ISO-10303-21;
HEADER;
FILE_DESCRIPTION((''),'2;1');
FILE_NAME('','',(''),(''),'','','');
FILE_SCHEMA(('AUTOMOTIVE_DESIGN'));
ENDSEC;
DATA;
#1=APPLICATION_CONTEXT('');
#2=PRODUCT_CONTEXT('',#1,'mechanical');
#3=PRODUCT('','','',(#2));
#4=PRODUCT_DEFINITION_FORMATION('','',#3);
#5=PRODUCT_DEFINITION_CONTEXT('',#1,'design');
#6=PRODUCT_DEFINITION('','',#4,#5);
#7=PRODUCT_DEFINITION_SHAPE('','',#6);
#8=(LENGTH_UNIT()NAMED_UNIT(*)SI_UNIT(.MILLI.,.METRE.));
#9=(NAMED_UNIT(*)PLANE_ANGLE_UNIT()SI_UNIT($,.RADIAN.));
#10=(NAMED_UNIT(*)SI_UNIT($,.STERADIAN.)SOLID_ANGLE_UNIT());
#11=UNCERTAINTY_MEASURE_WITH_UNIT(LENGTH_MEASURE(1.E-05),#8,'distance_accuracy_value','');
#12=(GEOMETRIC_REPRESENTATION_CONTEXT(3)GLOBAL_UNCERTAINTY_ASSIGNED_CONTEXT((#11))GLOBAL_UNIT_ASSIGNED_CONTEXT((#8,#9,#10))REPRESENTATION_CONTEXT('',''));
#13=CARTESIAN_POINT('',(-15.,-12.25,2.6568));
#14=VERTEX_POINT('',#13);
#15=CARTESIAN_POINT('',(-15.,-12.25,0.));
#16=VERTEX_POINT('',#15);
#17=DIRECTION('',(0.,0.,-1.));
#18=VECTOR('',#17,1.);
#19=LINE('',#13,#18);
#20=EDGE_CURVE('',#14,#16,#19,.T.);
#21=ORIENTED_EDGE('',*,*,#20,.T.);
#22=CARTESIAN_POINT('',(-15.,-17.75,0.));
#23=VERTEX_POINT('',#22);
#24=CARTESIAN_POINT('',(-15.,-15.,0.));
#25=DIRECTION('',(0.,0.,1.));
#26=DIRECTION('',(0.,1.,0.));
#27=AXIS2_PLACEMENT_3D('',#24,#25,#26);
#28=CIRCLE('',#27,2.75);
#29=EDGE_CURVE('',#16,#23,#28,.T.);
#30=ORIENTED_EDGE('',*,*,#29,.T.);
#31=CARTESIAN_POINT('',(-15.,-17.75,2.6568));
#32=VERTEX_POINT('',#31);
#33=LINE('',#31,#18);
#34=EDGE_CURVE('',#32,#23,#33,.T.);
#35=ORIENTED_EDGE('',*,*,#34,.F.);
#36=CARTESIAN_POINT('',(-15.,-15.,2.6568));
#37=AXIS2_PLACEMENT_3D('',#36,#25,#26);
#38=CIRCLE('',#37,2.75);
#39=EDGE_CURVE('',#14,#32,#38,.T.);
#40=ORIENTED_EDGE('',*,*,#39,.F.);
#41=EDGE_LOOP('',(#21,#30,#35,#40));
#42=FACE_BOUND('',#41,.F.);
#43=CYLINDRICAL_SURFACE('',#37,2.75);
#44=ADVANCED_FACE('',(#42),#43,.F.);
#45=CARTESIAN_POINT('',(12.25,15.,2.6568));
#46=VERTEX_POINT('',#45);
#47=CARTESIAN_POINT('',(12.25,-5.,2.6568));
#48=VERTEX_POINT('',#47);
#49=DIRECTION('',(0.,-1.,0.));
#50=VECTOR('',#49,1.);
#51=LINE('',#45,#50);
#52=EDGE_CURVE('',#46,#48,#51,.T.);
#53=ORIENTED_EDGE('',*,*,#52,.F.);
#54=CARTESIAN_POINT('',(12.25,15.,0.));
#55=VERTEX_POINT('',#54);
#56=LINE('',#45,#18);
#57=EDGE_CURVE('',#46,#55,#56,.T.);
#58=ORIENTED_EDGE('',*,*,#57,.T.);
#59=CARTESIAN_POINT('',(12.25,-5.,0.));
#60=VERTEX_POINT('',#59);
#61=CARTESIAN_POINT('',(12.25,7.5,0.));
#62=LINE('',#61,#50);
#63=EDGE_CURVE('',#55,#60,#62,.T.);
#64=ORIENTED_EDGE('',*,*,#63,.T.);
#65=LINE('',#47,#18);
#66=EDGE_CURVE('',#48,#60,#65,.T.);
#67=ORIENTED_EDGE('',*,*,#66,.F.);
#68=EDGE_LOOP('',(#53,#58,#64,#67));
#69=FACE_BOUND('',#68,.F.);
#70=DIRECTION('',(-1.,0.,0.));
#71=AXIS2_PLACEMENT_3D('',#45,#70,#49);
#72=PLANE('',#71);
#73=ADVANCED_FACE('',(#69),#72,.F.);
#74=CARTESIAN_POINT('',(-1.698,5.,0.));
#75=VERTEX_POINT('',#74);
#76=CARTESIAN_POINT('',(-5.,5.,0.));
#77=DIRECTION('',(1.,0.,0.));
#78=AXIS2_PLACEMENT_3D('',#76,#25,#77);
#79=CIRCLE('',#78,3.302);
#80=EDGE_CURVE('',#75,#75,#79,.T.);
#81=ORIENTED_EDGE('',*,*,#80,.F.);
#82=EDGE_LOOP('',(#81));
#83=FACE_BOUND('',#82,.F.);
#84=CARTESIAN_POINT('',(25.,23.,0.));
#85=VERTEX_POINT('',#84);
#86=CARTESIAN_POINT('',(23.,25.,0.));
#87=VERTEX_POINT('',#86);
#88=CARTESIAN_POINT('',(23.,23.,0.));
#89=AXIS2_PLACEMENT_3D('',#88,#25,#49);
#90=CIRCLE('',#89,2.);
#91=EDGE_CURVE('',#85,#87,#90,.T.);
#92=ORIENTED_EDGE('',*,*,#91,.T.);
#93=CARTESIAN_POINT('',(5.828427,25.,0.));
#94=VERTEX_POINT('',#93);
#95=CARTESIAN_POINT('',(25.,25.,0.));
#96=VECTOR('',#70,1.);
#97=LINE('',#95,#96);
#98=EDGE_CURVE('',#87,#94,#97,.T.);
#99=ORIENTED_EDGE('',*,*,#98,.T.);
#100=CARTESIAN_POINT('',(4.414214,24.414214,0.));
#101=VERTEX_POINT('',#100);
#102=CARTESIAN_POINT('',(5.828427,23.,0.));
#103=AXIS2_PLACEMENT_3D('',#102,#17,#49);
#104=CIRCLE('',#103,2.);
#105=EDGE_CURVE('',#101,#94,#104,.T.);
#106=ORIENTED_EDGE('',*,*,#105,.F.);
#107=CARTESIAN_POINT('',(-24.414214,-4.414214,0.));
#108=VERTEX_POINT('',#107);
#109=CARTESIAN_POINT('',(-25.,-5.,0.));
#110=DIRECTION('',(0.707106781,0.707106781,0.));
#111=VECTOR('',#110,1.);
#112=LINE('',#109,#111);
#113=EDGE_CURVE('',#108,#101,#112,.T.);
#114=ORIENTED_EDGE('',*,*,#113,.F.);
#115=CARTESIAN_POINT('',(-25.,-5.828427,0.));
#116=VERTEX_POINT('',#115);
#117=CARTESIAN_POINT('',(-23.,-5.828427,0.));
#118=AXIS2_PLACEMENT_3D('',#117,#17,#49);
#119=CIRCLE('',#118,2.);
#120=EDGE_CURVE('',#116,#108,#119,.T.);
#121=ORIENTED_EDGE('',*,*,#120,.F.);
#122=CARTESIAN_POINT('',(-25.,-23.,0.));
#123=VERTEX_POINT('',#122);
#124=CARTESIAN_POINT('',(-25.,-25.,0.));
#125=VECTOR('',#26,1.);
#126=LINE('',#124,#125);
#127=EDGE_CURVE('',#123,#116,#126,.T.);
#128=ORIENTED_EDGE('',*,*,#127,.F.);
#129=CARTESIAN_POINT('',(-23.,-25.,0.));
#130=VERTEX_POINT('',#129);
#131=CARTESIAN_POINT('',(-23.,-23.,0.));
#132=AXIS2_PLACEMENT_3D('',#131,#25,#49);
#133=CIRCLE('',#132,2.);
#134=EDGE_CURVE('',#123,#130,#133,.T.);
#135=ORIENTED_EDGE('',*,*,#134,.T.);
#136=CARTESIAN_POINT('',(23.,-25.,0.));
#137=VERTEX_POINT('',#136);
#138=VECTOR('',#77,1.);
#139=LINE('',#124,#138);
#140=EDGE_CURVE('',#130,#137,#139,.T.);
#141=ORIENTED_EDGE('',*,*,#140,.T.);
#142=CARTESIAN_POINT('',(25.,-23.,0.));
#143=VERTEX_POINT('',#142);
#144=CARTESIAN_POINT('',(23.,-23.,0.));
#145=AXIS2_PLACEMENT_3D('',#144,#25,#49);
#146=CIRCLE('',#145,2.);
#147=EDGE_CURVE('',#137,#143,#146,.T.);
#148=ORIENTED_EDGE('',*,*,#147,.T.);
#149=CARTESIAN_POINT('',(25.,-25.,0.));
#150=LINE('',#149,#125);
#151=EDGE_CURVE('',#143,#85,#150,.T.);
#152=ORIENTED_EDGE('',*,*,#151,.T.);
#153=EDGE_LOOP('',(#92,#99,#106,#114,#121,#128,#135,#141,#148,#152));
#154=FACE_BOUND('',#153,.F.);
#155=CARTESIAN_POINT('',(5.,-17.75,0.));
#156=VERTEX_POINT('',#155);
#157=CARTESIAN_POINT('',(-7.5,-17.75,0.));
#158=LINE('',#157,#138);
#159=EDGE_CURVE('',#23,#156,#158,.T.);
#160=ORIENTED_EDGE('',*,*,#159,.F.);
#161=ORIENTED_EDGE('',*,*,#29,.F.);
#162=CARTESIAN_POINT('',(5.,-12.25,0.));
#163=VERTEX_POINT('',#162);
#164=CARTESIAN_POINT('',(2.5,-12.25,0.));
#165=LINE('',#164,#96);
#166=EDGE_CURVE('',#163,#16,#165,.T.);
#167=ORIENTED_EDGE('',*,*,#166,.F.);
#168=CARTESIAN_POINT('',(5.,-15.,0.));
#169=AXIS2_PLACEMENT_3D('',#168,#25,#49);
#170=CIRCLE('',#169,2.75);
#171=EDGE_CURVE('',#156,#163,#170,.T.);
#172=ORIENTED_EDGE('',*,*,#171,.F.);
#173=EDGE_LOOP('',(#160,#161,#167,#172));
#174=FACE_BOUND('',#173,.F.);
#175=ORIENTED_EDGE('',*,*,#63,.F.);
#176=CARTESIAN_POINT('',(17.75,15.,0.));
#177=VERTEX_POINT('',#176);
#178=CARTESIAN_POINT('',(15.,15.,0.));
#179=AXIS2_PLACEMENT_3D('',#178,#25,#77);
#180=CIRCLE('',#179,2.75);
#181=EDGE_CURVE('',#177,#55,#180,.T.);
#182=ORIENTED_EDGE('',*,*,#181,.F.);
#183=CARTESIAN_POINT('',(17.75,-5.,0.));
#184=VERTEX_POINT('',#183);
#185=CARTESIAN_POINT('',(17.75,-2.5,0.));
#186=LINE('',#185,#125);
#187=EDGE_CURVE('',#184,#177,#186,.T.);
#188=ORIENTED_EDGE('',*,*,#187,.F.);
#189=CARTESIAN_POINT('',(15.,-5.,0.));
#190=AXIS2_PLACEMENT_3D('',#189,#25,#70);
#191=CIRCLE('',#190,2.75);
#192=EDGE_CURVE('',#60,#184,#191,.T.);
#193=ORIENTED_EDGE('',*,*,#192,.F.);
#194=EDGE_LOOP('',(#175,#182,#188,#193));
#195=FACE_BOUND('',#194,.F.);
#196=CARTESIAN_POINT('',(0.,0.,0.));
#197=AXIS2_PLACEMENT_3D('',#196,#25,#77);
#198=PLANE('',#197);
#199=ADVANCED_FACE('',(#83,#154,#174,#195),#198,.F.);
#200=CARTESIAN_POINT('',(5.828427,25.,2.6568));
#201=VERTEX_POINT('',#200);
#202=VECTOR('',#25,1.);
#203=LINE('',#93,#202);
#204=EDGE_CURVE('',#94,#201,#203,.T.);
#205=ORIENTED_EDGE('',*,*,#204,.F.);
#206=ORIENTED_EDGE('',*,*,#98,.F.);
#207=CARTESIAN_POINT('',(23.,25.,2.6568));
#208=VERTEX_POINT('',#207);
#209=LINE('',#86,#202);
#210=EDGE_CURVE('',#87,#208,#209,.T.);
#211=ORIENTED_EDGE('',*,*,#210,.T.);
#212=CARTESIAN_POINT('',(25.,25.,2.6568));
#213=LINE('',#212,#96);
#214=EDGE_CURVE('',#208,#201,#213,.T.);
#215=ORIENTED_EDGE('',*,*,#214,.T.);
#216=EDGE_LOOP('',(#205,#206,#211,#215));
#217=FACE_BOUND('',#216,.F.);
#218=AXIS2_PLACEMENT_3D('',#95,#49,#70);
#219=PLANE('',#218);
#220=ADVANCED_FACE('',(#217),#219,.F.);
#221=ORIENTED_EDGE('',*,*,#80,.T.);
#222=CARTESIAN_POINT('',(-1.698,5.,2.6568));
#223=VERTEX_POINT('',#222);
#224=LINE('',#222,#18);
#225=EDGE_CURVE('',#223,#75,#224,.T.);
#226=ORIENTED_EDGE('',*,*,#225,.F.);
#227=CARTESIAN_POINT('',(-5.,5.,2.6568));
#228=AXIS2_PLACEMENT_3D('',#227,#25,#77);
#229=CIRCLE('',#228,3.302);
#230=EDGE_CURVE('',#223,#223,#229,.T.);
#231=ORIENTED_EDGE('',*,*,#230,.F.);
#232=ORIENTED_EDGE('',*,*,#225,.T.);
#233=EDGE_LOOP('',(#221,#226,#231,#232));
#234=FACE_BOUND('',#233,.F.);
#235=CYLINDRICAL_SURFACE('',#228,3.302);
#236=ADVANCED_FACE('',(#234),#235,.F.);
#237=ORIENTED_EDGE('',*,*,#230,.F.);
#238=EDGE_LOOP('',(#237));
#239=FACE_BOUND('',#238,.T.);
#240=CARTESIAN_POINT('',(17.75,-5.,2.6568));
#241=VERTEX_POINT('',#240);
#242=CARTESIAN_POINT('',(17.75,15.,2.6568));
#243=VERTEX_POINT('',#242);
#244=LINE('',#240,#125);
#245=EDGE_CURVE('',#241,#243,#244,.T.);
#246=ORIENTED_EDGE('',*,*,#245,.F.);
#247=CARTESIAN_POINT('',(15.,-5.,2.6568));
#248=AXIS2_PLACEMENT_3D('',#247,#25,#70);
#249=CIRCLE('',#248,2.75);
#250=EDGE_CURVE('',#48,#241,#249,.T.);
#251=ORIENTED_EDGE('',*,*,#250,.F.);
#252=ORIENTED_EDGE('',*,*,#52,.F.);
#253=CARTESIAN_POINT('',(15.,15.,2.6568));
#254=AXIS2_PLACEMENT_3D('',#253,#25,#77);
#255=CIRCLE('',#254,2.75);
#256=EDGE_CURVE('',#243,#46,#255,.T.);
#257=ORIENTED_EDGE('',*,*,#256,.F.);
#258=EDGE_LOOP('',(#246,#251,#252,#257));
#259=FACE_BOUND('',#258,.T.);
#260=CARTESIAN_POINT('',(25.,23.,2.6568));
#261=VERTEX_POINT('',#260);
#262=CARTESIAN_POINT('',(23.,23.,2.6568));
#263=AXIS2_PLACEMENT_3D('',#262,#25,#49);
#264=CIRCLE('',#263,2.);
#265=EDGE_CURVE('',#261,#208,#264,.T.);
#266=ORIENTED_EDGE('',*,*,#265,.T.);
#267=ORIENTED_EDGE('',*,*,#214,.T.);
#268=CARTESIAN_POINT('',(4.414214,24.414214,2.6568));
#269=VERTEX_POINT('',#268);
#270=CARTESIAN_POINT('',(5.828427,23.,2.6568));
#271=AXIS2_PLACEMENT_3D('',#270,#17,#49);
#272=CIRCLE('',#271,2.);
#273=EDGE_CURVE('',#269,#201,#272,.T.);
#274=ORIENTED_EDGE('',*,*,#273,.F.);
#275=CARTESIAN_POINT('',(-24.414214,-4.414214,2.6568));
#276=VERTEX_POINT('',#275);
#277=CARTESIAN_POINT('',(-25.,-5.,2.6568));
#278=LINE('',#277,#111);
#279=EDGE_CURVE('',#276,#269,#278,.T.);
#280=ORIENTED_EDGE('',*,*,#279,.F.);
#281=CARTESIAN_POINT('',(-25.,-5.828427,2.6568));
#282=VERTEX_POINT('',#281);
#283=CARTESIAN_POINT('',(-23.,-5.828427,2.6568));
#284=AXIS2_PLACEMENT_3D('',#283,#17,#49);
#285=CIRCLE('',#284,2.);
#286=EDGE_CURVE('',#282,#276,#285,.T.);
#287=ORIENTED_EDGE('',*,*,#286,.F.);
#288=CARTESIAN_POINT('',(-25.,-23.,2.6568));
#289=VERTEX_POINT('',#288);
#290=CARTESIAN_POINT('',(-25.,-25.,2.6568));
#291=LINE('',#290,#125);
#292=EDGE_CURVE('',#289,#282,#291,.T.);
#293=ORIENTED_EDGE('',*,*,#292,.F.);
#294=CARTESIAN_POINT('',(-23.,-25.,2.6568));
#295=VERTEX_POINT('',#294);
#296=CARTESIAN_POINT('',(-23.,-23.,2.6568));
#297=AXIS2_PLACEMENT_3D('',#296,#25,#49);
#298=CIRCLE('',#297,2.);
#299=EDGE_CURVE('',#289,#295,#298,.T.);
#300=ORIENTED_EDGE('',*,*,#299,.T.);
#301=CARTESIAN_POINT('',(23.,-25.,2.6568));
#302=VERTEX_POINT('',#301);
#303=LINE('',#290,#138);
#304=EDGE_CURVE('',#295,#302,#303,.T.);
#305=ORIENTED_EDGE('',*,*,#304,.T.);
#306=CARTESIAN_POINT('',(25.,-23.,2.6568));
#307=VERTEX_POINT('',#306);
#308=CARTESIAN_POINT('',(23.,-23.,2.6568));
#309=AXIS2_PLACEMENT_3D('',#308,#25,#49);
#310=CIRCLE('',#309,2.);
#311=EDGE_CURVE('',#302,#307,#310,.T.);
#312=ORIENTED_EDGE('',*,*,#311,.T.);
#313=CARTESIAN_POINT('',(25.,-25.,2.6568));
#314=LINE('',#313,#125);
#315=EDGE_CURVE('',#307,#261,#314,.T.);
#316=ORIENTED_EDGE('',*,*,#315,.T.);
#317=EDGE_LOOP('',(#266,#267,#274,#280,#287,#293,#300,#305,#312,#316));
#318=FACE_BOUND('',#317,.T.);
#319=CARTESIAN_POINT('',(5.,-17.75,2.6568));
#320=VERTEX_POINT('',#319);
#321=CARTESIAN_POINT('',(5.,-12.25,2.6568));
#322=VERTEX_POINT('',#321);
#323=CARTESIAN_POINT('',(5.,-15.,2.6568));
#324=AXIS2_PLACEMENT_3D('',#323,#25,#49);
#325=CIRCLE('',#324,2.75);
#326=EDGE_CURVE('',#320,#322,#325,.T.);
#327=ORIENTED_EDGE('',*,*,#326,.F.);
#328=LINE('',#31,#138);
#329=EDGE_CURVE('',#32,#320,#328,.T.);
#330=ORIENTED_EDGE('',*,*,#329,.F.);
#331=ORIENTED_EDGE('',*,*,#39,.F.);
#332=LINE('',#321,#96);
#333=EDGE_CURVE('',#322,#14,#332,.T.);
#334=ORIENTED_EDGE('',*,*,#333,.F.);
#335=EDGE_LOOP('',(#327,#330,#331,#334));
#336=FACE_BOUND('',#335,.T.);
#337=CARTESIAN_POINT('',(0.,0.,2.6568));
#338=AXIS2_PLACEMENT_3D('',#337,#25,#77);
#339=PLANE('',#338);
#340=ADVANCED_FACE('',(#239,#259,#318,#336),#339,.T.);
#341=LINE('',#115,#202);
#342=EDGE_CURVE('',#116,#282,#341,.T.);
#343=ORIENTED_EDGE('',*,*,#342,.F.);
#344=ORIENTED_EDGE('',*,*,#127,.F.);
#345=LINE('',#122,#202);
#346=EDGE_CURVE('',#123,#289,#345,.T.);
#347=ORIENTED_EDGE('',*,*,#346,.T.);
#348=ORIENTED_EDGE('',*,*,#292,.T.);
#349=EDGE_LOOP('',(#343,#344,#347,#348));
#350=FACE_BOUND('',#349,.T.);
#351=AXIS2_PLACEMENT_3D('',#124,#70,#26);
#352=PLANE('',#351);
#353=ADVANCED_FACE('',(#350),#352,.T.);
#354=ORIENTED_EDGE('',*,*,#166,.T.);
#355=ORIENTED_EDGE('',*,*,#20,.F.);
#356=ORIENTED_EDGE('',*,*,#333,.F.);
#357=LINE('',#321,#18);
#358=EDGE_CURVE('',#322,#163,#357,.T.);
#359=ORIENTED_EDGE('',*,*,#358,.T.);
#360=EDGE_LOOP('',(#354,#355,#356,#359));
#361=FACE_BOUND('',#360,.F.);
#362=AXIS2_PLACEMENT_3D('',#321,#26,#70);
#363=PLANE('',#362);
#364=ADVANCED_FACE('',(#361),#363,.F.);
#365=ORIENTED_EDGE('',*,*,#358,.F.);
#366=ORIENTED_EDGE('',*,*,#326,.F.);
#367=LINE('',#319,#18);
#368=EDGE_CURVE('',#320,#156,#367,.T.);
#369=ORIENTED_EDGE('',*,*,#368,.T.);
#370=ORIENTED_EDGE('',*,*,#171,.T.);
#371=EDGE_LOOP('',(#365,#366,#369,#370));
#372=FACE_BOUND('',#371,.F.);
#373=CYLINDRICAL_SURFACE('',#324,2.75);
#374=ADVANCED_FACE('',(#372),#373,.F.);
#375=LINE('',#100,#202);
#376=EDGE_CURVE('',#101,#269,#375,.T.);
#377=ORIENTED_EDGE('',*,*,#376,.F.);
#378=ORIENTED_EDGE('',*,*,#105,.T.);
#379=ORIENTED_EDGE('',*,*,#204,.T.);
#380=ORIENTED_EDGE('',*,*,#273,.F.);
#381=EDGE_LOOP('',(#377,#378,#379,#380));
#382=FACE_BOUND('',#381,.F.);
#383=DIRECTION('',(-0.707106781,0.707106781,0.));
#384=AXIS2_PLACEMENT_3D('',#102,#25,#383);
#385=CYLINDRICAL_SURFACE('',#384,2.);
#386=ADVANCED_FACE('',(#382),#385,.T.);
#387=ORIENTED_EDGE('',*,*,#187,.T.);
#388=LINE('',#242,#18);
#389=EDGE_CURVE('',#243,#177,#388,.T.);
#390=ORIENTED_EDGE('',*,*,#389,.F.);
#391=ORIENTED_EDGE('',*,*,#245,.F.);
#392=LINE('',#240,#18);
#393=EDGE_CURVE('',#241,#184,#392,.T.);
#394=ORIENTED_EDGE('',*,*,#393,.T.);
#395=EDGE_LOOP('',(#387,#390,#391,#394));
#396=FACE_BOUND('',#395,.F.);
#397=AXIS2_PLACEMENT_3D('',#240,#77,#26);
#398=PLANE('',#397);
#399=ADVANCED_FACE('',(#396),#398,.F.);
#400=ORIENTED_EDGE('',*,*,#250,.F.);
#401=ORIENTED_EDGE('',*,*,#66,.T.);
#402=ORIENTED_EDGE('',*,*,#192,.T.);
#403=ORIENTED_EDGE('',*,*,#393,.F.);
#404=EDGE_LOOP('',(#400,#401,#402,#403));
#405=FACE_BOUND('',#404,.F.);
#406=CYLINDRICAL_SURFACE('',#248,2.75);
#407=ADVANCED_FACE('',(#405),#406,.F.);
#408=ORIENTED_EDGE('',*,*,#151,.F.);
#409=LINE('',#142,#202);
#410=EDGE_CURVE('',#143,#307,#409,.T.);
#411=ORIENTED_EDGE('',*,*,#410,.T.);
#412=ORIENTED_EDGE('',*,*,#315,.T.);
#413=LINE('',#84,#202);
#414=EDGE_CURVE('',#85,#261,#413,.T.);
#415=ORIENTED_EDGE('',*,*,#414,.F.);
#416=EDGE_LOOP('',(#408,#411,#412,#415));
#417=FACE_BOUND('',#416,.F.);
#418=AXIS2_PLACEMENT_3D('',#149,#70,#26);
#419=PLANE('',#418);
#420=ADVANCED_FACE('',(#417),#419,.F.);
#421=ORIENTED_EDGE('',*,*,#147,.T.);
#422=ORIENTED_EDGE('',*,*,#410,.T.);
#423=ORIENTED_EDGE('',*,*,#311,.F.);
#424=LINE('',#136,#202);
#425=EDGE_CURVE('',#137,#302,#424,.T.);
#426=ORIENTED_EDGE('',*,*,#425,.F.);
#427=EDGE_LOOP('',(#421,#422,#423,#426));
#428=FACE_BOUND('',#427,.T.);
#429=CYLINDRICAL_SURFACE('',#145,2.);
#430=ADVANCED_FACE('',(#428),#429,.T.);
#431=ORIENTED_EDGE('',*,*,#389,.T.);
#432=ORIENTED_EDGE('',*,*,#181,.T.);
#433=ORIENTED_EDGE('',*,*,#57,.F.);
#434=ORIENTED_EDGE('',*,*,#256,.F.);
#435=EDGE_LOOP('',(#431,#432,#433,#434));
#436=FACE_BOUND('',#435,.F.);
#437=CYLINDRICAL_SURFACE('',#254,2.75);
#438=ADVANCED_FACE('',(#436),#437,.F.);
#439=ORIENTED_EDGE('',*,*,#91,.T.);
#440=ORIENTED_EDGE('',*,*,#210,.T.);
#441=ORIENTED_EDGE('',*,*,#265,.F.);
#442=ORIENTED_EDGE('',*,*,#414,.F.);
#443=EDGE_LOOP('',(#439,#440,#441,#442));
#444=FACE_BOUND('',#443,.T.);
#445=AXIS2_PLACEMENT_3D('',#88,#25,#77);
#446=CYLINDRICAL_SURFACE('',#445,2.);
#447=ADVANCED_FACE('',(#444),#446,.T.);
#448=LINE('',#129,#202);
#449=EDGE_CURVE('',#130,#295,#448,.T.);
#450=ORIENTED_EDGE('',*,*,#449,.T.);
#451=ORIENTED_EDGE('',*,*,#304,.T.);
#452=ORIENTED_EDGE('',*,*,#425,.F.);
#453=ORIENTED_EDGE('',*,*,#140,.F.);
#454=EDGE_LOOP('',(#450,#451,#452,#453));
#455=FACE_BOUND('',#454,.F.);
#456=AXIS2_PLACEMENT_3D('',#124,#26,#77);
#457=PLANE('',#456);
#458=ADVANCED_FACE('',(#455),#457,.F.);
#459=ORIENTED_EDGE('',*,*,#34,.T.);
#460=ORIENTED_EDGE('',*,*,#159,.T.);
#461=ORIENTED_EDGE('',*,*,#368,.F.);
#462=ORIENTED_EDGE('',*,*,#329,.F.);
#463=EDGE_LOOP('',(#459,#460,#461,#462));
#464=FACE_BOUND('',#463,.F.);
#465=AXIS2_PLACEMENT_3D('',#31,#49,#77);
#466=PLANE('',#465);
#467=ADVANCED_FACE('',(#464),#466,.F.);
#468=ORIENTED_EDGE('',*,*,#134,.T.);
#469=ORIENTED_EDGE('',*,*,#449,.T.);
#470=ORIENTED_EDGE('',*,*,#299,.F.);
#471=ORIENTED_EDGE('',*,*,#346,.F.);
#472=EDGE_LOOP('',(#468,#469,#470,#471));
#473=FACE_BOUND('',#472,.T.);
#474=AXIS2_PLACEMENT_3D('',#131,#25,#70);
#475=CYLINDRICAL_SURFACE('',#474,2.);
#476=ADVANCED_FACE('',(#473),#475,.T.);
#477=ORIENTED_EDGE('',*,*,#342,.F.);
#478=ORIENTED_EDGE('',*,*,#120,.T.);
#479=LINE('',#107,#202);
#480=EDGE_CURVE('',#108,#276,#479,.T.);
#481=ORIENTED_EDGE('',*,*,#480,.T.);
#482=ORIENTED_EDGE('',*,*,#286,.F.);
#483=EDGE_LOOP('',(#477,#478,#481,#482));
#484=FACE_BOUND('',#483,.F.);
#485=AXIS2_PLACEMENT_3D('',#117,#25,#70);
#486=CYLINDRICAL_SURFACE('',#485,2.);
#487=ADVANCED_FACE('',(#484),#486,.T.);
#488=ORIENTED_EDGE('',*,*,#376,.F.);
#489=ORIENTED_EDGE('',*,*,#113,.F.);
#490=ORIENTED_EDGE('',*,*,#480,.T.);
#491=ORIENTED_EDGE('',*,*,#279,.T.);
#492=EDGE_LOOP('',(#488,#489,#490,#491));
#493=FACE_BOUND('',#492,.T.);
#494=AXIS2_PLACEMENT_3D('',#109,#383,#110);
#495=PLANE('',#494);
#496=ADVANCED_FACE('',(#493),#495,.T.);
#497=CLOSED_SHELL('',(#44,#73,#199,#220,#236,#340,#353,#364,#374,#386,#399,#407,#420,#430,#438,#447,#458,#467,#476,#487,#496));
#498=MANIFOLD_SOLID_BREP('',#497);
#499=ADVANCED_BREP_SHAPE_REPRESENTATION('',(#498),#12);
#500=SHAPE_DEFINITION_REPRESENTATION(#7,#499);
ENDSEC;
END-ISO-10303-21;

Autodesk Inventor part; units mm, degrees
ref_plane "YZ Plane" through (0, 0, 0) normal (1, 0, 0) x (0, 1, 0)
ref_plane "XZ Plane" through (0, 0, 0) normal (0, 1, 0) x (-1, 0, 0)
ref_plane "XY Plane" through (0, 0, 0) normal (0, 0, 1) x (1, 0, 0)
sketch "Sketch1" plane through (0, 0, 0) normal (0, 0, 1) x (1, 0, 0)
  line L0 (-25, -25) -> (25, -25)
  line L1 (25, -25) -> (25, 25)
  line L2 (25, 25) -> (5, 25)
  line L3 (-25, -25) -> (-25, -5)
  line L4 (-25, -5) -> (5, 25)
  point P0 (0, 0)
  dimension "d0" = 50
  dimension "d1" = 50
  dimension "d2" = 20
  dimension "d3" = 20
  dimension "d21" = 25
  dimension "d22" = 25
extrude "Extrusion1" add sketch "Sketch1" along normal blind 2.6568
sketch "Sketch2" plane through (0, 0, 2.6568) normal (0, 0, 1) x (1, 0, 0)
  line L0 (-25, -25) -> (25, -25) projected
  line L1 (25, -25) -> (25, 25) projected
  line L2 (-15, -15) -> (5, -15) construction
  line L3 (-15, -17.75) -> (5, -17.75)
  line L4 (5, -12.25) -> (-15, -12.25)
  arc A0 (-15, -12.25) -> (-15, -17.75) centre (-15, -15) ccw
  arc A1 (5, -17.75) -> (5, -12.25) centre (5, -15) ccw
  line L5 (15, -5) -> (15, 15) construction
  line L6 (17.75, -5) -> (17.75, 15)
  line L7 (12.25, 15) -> (12.25, -5)
  arc A2 (12.25, -5) -> (17.75, -5) centre (15, -5) ccw
  arc A3 (17.75, 15) -> (12.25, 15) centre (15, 15) ccw
  point P0 (0, 0)
  point P1 (-5, -15)
  point P2 (15, 5)
  dimension "d6" = 20
  dimension "d7" = 5.5
  dimension "d8" = 10
  dimension "d9" = 20
  dimension "d10" = 20
  dimension "d11" = 5.5
  dimension "d12" = 10
  dimension "d13" = 20
extrude "Extrusion2" cut sketch "Sketch2" against normal through all
sketch "Sketch3" plane through (0, 0, 2.6568) normal (0, 0, 1) x (1, 0, 0)
  line L0 (-25, -25) -> (25, -25) projected
  line L1 (25, -25) -> (25, 25) projected
  circle A0 centre (-5, 5) radius 3.302
  point P0 (0, 0)
  dimension "d16" = 6.604
  dimension "d17" = 30
  dimension "d18" = 30
extrude "Extrusion3" cut sketch "Sketch3" against normal through all
fillet "Fillet1" radius 2 5 edges at (-25, -25, 1.3284) (25, -25, 1.3284) (25, 25, 1.3284) (5, 25, 1.3284) (-25, -5, 1.3284)
equation "\"d0\" = d1"
equation "\"d21\" = 0.5 * d1"
equation "\"d22\" = 0.5 * d0"
properties part number "frame_gusset" material "Steel, Mild"
